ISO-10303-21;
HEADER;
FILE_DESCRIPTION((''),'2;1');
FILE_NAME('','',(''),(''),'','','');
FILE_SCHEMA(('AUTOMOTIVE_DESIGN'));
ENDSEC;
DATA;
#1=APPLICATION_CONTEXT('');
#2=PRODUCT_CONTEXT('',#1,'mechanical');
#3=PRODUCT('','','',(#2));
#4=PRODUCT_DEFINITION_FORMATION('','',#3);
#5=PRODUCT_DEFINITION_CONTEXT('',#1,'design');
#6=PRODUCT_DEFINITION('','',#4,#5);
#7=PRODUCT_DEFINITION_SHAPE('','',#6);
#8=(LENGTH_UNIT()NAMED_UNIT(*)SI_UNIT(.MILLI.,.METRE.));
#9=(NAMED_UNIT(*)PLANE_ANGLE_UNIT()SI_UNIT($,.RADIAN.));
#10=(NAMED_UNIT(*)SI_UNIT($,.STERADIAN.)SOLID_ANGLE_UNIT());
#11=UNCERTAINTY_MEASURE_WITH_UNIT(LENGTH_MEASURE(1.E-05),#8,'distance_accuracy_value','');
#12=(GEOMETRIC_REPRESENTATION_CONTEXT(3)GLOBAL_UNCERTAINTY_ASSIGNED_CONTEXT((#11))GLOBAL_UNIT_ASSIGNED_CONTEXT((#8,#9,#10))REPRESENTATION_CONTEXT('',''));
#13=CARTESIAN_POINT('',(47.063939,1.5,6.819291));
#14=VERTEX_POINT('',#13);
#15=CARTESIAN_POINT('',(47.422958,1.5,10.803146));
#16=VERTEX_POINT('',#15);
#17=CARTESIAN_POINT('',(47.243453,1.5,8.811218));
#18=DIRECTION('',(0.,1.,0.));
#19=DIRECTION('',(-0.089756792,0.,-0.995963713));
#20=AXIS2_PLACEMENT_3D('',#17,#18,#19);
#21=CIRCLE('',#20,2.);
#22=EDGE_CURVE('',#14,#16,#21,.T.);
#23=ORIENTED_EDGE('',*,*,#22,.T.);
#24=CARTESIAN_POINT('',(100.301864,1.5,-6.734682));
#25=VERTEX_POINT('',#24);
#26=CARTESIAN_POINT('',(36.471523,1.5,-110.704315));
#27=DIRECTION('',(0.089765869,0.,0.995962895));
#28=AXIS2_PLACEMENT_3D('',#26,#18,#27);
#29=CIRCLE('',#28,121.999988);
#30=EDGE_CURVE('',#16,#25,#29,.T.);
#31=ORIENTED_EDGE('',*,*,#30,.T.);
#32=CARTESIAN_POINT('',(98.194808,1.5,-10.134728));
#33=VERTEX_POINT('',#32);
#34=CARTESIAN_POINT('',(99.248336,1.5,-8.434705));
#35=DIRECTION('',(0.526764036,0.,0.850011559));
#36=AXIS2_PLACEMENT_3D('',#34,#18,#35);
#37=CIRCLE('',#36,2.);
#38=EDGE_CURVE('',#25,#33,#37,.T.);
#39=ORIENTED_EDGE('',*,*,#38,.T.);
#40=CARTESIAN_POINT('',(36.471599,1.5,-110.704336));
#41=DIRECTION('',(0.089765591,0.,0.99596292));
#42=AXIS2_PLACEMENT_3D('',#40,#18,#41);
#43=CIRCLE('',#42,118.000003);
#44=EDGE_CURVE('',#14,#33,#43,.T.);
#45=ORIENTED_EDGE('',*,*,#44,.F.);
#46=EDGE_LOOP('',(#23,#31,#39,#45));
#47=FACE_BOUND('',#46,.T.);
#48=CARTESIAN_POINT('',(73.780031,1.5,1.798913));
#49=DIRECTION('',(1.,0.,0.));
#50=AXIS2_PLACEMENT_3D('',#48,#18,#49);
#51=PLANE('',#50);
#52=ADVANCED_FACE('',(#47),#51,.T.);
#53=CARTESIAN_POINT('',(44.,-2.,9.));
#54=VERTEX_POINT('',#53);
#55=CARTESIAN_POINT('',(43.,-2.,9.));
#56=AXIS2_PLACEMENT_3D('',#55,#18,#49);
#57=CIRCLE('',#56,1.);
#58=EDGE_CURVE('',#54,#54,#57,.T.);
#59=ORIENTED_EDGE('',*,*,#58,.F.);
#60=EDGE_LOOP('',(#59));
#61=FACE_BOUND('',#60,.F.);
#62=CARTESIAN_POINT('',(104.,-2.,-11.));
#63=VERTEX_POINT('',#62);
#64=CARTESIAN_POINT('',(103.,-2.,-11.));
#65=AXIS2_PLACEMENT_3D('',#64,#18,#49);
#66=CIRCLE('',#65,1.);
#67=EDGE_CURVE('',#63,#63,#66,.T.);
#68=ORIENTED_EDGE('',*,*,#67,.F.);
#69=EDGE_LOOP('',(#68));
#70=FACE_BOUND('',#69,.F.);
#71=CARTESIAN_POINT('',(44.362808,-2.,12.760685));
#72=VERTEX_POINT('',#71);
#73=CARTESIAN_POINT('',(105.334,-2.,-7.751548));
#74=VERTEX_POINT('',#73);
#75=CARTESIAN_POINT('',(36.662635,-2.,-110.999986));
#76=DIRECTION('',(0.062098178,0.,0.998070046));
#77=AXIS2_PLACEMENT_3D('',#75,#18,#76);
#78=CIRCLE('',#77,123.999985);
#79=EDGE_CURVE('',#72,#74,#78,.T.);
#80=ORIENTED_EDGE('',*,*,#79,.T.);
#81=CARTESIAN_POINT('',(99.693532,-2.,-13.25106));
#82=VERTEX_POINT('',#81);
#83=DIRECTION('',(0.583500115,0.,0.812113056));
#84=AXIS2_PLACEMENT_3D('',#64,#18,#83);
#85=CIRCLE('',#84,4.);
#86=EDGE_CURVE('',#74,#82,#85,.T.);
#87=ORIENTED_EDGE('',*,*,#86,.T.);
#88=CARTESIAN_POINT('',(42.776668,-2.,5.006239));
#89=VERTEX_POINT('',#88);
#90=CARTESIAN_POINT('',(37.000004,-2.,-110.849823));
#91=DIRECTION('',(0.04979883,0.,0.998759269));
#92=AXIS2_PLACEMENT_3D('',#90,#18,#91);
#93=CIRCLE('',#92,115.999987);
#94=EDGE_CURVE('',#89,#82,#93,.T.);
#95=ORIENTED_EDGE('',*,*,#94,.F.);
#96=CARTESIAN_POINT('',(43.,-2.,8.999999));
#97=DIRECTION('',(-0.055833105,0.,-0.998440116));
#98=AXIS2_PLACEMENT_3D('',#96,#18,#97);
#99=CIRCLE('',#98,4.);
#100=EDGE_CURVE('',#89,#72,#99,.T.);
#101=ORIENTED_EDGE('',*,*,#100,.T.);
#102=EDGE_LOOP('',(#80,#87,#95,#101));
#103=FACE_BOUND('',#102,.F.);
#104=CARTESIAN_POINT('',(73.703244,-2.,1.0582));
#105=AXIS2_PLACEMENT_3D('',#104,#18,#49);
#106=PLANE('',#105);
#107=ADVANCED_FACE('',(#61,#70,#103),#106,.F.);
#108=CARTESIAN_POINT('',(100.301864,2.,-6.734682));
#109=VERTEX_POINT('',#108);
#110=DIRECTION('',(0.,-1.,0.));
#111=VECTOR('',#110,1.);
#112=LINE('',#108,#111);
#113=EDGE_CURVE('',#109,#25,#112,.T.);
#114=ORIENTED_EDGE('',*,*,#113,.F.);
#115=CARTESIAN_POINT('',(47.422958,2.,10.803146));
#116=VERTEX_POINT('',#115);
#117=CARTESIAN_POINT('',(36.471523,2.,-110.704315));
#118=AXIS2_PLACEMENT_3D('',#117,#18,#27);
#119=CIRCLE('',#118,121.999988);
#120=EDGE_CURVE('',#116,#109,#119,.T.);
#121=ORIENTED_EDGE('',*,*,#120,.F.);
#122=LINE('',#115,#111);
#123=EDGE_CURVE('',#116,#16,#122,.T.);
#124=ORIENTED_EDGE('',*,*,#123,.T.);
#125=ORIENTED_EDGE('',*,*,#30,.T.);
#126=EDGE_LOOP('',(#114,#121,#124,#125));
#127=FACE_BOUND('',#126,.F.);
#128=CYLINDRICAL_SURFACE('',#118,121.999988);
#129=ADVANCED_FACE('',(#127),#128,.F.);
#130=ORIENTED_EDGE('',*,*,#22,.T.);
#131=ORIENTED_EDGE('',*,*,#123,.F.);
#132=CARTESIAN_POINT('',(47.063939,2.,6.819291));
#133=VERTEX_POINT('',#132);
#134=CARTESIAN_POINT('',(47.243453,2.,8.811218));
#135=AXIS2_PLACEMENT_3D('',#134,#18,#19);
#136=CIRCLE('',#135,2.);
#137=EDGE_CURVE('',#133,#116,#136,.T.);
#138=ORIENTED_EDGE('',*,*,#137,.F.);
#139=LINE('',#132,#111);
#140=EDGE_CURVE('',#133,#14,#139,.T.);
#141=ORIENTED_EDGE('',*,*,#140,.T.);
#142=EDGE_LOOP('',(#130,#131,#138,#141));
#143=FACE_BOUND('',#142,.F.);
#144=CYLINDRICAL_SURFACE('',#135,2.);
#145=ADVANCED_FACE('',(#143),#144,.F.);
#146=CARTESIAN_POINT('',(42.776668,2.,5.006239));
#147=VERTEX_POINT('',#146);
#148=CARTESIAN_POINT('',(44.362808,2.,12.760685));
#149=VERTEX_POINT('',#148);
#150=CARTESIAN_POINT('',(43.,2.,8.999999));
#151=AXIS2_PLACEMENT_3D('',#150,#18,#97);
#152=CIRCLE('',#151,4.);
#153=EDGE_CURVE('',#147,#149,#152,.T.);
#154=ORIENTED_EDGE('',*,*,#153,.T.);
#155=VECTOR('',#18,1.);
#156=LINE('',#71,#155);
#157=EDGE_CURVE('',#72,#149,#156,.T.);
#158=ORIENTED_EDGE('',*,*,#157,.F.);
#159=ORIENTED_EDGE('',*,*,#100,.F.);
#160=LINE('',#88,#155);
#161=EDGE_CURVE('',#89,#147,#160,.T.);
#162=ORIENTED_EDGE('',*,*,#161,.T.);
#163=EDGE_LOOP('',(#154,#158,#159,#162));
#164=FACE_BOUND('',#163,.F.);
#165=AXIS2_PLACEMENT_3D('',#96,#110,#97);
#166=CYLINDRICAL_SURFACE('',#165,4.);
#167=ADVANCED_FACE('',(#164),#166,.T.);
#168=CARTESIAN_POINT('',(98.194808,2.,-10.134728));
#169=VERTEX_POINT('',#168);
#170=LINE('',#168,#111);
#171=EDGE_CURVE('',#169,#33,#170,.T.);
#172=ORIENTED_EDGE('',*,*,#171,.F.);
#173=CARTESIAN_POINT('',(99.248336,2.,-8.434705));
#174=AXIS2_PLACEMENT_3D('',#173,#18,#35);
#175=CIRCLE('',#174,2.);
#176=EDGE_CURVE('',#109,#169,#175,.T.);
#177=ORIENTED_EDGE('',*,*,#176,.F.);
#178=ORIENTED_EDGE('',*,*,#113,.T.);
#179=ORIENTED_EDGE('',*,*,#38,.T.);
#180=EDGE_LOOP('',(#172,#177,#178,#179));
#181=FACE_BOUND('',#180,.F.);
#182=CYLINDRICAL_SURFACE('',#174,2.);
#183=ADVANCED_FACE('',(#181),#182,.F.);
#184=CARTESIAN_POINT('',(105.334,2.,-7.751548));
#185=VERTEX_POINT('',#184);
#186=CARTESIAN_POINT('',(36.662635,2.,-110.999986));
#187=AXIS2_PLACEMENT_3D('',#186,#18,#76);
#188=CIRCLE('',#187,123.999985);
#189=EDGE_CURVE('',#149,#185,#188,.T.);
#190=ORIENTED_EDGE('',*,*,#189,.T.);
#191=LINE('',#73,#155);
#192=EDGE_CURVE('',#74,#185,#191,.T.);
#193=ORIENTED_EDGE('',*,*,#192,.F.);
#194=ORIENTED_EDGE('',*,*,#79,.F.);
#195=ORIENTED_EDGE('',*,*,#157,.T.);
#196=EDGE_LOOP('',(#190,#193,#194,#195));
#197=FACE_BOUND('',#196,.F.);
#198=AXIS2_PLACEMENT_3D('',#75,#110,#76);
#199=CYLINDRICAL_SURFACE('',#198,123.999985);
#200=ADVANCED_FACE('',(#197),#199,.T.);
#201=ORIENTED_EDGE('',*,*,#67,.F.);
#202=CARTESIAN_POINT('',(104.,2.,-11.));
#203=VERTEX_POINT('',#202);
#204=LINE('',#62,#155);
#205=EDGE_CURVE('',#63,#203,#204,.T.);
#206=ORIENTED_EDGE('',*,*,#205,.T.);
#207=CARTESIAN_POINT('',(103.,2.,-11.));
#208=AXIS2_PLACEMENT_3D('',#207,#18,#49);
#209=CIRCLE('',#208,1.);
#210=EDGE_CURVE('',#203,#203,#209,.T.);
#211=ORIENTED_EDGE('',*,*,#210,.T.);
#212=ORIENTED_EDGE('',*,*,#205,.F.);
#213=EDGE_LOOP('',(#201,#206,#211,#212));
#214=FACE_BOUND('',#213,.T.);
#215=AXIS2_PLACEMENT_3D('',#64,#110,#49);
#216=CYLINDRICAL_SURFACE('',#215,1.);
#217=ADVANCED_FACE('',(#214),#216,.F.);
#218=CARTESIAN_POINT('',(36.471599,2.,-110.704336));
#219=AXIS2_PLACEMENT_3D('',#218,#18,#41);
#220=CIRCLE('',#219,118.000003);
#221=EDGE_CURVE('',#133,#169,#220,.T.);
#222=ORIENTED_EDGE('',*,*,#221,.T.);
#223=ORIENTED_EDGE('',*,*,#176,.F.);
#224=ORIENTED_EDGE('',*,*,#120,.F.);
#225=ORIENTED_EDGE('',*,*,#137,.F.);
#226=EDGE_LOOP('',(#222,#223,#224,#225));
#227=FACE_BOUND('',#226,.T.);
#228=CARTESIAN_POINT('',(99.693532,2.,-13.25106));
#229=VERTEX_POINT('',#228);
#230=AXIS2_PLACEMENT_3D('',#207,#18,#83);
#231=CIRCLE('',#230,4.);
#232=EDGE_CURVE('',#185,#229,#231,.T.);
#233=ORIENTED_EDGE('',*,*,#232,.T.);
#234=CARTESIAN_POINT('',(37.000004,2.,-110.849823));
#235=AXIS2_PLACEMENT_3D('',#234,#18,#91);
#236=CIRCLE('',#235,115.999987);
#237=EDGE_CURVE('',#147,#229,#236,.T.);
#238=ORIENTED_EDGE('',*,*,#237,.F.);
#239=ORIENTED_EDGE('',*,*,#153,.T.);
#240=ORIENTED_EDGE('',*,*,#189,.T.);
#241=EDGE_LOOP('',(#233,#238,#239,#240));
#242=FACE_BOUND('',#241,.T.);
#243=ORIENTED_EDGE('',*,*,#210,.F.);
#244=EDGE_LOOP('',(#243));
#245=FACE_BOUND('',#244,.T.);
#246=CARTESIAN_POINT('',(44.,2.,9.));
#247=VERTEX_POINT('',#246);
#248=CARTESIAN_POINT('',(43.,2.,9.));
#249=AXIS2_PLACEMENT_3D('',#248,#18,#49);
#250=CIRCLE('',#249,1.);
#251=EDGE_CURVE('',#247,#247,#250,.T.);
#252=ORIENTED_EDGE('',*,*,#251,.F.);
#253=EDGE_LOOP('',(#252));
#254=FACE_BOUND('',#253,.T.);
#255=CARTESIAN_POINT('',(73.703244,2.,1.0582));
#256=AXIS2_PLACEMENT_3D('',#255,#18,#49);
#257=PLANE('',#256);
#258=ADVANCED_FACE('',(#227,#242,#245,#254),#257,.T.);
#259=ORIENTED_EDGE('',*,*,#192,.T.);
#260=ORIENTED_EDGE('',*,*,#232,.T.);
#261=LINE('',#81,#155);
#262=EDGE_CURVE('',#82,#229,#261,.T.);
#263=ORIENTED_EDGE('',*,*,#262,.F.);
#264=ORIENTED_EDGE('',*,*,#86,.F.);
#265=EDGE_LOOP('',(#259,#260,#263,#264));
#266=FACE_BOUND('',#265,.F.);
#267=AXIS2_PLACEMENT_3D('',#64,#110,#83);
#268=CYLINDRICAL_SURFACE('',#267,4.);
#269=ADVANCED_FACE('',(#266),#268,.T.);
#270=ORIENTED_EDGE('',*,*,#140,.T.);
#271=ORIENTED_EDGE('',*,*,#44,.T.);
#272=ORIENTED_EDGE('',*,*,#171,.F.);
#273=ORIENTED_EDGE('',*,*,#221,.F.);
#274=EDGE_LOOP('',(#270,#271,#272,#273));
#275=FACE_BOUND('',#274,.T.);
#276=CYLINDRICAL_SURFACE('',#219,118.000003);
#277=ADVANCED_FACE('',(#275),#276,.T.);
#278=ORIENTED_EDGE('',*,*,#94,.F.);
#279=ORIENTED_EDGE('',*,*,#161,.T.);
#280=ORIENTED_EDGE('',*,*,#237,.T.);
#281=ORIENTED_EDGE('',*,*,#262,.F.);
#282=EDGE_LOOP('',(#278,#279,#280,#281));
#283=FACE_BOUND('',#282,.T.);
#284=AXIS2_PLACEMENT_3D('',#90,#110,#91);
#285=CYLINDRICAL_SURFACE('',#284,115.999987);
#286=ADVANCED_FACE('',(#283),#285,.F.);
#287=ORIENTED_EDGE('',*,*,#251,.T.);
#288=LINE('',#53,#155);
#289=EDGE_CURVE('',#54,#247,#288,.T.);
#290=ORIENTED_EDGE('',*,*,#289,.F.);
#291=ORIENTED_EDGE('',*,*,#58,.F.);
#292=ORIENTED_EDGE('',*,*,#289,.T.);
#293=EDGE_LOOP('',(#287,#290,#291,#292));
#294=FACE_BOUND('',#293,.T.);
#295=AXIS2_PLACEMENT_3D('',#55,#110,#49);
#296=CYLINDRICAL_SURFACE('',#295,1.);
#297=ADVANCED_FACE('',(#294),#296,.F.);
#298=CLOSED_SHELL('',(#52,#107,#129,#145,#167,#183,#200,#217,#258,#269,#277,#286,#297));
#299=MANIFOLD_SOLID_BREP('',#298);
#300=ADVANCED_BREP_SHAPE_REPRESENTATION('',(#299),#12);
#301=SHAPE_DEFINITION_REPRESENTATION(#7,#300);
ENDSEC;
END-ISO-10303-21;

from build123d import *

# Parameters (mm, degrees)
SKETCH_R     = 1
PAD_DEPTH    = 4
POCKET_DEPTH = 0.5


with BuildPart() as part:
    # Sketch → Pad (new body)
    with BuildSketch(Plane(origin=(43, -2, 9), x_dir=(1, 0, 0), z_dir=(0, 1, 0))):
        with BuildLine():
            ThreePointArc((-0.223332, 3.993761), (-3.918859, -0.801586), (1.362808, -3.760685))
            ThreePointArc((1.362808, -3.760685), (33.201741, 2.472732), (62.334, 16.751548))
            ThreePointArc((62.334, 16.751548), (62.792415, 22.863986), (56.693532, 22.25106))
            ThreePointArc((-0.223332, 3.993761), (29.431262, 9.393393), (56.693532, 22.25106))
        make_face()
        Circle(SKETCH_R, mode=Mode.SUBTRACT)
        with Locations((60, 20)):
            Circle(SKETCH_R, mode=Mode.SUBTRACT)
    extrude(amount=PAD_DEPTH)

    # Sketch001 → Pocket (cut)
    with BuildSketch(Plane(origin=(43, 2, 9), x_dir=(1, 0, 0), z_dir=(0, 1, 0))):
        with BuildLine():
            ThreePointArc((4.422958, -1.803146), (31.876892, 3.906972), (57.301864, 15.734682))
            ThreePointArc((57.301864, 15.734682), (57.948359, 18.488233), (55.194808, 19.134728))
            ThreePointArc((4.063939, 2.180709), (30.609778, 7.70096), (55.194808, 19.134728))
            ThreePointArc((4.063939, 2.180709), (2.251525, 0.009273), (4.422958, -1.803146))
        make_face()
    extrude(amount=-POCKET_DEPTH, mode=Mode.SUBTRACT)


solid = part.part
